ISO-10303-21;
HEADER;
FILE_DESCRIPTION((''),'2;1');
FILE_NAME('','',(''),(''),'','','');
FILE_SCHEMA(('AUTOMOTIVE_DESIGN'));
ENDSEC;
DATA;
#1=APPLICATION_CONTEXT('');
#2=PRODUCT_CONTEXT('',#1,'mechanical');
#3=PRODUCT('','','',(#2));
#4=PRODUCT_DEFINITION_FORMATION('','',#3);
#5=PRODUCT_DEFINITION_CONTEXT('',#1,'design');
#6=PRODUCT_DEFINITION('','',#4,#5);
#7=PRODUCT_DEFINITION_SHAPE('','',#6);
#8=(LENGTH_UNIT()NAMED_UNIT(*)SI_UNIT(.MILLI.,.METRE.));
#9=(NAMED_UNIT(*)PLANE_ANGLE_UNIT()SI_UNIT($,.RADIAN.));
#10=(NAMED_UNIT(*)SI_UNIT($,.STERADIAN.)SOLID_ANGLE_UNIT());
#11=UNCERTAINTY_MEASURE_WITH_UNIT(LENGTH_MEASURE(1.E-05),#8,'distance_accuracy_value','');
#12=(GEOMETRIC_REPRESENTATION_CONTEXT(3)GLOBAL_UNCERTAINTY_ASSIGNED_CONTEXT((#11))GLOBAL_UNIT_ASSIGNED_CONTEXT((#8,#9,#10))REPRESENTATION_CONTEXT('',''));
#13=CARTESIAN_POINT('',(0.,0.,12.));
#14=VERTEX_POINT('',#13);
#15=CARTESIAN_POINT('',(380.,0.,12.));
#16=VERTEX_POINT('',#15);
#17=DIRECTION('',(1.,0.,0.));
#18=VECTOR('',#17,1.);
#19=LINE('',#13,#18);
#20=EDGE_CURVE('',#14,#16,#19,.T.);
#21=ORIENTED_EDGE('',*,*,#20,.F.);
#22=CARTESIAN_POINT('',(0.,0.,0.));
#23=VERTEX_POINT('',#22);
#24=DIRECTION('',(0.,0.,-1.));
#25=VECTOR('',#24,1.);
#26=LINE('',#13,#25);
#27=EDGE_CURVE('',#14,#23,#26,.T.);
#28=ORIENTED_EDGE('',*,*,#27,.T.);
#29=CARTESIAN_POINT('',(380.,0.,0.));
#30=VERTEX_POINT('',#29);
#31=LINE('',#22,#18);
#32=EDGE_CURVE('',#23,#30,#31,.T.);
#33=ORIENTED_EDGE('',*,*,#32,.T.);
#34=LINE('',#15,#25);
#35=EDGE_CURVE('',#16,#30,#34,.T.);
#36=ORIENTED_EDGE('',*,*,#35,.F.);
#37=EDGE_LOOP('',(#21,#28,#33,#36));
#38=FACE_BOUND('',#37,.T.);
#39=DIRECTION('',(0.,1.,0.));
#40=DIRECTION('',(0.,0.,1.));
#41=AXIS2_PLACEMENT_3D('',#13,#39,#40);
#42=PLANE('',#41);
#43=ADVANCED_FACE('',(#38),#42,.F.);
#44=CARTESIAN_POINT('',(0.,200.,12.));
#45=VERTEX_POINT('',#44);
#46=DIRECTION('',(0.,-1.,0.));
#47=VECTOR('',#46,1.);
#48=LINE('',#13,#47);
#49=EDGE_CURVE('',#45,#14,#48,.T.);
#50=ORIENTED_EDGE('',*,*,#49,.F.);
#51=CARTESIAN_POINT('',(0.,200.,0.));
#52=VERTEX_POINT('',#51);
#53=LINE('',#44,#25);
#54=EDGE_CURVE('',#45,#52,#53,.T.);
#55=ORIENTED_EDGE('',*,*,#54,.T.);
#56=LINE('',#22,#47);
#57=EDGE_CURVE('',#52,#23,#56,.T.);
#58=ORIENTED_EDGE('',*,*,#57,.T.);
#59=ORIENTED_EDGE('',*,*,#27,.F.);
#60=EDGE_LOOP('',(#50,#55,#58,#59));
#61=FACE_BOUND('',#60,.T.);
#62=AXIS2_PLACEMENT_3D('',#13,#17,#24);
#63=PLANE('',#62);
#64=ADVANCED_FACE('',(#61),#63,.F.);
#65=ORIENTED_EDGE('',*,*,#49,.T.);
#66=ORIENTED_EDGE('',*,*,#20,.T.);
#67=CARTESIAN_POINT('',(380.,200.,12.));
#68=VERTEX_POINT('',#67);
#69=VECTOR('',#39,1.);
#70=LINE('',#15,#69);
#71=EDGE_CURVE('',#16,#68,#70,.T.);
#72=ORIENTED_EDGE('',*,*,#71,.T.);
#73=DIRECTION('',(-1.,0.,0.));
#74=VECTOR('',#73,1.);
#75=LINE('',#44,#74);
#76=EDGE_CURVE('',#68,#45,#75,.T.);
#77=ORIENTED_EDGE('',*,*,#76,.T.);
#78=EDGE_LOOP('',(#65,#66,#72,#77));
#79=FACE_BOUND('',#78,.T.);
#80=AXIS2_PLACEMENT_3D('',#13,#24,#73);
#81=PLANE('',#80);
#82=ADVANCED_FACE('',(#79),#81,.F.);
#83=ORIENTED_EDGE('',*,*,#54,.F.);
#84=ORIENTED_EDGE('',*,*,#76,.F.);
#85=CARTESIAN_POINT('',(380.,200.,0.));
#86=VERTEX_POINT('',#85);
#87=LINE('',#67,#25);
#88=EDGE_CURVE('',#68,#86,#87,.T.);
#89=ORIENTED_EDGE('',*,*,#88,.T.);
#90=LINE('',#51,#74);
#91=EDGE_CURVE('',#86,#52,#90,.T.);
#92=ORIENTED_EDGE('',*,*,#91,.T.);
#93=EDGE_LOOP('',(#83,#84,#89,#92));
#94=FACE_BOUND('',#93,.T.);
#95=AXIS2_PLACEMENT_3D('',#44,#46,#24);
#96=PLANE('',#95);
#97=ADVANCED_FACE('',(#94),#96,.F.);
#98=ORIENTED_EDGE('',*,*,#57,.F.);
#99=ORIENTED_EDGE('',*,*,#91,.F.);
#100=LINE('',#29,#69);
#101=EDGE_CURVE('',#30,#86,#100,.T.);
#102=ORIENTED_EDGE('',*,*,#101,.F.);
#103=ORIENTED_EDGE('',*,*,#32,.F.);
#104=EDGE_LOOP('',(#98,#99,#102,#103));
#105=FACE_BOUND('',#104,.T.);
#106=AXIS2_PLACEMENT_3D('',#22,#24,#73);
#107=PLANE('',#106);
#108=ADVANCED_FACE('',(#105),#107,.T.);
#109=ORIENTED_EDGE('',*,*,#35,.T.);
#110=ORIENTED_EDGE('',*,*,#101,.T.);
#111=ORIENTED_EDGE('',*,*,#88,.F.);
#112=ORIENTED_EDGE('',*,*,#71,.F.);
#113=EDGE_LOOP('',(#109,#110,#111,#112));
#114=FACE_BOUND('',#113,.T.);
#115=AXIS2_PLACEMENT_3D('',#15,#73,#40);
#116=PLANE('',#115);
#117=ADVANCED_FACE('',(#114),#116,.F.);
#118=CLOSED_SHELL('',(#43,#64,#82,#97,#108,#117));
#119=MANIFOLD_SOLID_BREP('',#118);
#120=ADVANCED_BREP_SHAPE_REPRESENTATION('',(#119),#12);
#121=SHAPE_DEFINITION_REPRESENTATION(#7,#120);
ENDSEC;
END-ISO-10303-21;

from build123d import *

# Parameters (mm, degrees)
SKETCH_1_W      = 380
SKETCH_1_H      = 200
EXTRUDE_1_DEPTH = 12


with BuildPart() as part:
    # 草图1 → 凸台-拉伸1 (new body)
    with BuildSketch(Plane.XY):
        with Locations((190, 100)):
            Rectangle(SKETCH_1_W, SKETCH_1_H)
    extrude(amount=EXTRUDE_1_DEPTH)


solid = part.part
